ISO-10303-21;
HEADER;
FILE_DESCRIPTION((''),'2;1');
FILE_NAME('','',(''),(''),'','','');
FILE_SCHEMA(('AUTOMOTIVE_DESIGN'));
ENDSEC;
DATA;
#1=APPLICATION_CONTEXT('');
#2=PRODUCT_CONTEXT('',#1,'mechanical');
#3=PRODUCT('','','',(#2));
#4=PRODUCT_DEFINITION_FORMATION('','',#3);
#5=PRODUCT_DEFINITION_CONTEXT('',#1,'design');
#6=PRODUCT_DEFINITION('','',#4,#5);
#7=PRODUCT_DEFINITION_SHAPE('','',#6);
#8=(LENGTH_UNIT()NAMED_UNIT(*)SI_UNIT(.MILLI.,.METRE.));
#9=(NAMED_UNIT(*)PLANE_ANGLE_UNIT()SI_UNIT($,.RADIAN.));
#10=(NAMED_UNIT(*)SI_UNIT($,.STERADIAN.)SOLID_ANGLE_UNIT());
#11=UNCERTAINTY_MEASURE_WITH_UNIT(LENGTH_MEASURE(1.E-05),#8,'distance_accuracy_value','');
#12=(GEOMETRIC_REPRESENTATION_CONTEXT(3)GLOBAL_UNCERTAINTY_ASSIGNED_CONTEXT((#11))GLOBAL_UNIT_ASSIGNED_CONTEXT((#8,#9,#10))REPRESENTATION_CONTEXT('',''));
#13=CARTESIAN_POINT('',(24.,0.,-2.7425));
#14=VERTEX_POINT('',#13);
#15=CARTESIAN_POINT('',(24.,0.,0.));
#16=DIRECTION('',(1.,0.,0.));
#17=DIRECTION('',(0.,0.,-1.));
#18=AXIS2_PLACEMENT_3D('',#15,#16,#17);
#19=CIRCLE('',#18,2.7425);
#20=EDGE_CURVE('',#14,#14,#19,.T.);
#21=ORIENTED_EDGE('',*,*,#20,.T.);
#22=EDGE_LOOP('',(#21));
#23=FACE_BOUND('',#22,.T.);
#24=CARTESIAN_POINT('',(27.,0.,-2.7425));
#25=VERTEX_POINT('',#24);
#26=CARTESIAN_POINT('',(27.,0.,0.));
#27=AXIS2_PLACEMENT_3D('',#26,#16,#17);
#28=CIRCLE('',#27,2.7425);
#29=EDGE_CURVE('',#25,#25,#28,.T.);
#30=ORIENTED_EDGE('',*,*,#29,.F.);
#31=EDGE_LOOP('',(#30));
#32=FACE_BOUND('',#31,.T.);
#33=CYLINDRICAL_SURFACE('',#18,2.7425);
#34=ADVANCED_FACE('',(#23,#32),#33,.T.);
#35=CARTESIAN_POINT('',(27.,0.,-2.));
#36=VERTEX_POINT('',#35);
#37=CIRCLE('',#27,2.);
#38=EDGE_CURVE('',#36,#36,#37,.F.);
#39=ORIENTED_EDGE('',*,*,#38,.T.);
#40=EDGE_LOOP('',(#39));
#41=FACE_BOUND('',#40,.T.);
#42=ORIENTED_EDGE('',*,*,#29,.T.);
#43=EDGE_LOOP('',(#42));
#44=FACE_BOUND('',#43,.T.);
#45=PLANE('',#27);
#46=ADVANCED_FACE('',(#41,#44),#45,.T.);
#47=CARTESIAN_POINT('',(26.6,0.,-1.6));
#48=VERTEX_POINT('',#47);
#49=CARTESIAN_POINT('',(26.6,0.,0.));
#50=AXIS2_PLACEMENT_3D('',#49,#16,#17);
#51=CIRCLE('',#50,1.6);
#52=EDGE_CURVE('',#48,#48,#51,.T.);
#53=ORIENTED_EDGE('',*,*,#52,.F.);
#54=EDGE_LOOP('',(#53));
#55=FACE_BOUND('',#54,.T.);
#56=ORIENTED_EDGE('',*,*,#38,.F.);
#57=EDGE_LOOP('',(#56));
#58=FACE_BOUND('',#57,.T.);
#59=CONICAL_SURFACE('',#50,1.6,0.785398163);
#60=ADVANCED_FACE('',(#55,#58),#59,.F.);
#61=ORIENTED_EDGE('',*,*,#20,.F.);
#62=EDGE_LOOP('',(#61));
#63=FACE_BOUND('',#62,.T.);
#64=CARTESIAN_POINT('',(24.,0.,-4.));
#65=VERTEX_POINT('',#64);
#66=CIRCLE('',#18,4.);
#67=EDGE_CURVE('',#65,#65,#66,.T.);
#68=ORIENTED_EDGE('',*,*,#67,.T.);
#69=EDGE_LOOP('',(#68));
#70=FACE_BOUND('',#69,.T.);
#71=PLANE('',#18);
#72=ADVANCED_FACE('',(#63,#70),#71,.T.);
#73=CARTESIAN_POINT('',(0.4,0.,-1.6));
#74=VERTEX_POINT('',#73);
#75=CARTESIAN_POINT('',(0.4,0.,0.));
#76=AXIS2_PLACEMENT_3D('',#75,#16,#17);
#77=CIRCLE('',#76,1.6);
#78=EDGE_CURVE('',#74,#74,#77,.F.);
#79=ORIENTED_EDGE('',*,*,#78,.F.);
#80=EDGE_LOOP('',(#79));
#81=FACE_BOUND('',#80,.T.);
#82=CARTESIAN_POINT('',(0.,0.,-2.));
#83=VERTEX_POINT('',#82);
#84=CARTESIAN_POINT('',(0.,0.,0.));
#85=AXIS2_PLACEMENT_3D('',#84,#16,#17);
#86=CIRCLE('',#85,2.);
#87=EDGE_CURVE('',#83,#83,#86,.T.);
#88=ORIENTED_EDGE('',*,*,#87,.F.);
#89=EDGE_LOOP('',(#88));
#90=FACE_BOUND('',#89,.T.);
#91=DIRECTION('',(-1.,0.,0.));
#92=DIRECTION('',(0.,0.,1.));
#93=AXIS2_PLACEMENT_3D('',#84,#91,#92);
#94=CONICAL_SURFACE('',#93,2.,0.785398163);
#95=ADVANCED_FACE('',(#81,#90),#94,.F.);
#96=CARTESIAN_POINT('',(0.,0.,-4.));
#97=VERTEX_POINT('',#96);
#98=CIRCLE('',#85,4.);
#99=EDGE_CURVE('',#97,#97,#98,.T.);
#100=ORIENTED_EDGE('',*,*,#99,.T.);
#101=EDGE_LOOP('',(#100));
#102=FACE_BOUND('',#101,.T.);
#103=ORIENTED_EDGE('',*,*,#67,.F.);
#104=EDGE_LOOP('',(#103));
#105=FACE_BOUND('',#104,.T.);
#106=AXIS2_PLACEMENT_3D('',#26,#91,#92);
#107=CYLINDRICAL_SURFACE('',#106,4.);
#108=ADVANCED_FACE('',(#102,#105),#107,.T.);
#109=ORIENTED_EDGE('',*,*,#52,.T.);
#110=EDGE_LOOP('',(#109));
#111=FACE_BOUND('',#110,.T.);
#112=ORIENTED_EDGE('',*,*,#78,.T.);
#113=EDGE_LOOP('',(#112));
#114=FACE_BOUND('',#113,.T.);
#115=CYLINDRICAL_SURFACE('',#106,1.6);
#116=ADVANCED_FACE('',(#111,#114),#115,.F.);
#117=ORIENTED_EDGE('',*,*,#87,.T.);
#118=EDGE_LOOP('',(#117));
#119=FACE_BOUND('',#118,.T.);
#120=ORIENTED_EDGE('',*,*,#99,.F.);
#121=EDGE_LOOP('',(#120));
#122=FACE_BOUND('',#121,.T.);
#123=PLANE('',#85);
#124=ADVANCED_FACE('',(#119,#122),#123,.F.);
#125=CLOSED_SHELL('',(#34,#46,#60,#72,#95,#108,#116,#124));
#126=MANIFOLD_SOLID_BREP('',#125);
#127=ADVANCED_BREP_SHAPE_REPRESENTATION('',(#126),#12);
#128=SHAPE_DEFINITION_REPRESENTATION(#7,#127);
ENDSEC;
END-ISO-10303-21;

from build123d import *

# Parameters (mm, degrees)
SKIZZE1_R                       = 4
SKIZZE1_R_2                     = 1.6
AUFSATZ_LINEAR_AUSTRAGEN1_DEPTH = 27
SKIZZE2_OUTSIDE_W               = 15.854
SKIZZE2_OUTSIDE_H               = 15.854
SKIZZE2_OUTSIDE_R               = 2.7425
SCHNITT_LINEAR_AUSTRAGEN1_DEPTH = 3
FASE1_SIZE                      = 0.4


with BuildPart() as part:
    # Skizze1 → Aufsatz-Linear austragen1 (new body)
    with BuildSketch(Plane(origin=(0, 0, 0), x_dir=(0, 0, -1), z_dir=(1, 0, 0))):
        Circle(SKIZZE1_R)
        Circle(SKIZZE1_R_2, mode=Mode.SUBTRACT)
    extrude(amount=AUFSATZ_LINEAR_AUSTRAGEN1_DEPTH)

    # Skizze2 outside → Schnitt-Linear austragen1 (cut)
    with BuildSketch(Plane(origin=(27, 0, 0), x_dir=(0, 0, -1), z_dir=(1, 0, 0))):
        Rectangle(SKIZZE2_OUTSIDE_W, SKIZZE2_OUTSIDE_H)
        Circle(SKIZZE2_OUTSIDE_R, mode=Mode.SUBTRACT)
    extrude(amount=-SCHNITT_LINEAR_AUSTRAGEN1_DEPTH, mode=Mode.SUBTRACT)

    # Fase1
    fase1_edges = [part.edges().sort_by_distance(p)[0] for p in [
        (0, 0, 1.6),
        (27, 0, 1.6),
    ]]
    chamfer(fase1_edges, length=FASE1_SIZE)


solid = part.part
